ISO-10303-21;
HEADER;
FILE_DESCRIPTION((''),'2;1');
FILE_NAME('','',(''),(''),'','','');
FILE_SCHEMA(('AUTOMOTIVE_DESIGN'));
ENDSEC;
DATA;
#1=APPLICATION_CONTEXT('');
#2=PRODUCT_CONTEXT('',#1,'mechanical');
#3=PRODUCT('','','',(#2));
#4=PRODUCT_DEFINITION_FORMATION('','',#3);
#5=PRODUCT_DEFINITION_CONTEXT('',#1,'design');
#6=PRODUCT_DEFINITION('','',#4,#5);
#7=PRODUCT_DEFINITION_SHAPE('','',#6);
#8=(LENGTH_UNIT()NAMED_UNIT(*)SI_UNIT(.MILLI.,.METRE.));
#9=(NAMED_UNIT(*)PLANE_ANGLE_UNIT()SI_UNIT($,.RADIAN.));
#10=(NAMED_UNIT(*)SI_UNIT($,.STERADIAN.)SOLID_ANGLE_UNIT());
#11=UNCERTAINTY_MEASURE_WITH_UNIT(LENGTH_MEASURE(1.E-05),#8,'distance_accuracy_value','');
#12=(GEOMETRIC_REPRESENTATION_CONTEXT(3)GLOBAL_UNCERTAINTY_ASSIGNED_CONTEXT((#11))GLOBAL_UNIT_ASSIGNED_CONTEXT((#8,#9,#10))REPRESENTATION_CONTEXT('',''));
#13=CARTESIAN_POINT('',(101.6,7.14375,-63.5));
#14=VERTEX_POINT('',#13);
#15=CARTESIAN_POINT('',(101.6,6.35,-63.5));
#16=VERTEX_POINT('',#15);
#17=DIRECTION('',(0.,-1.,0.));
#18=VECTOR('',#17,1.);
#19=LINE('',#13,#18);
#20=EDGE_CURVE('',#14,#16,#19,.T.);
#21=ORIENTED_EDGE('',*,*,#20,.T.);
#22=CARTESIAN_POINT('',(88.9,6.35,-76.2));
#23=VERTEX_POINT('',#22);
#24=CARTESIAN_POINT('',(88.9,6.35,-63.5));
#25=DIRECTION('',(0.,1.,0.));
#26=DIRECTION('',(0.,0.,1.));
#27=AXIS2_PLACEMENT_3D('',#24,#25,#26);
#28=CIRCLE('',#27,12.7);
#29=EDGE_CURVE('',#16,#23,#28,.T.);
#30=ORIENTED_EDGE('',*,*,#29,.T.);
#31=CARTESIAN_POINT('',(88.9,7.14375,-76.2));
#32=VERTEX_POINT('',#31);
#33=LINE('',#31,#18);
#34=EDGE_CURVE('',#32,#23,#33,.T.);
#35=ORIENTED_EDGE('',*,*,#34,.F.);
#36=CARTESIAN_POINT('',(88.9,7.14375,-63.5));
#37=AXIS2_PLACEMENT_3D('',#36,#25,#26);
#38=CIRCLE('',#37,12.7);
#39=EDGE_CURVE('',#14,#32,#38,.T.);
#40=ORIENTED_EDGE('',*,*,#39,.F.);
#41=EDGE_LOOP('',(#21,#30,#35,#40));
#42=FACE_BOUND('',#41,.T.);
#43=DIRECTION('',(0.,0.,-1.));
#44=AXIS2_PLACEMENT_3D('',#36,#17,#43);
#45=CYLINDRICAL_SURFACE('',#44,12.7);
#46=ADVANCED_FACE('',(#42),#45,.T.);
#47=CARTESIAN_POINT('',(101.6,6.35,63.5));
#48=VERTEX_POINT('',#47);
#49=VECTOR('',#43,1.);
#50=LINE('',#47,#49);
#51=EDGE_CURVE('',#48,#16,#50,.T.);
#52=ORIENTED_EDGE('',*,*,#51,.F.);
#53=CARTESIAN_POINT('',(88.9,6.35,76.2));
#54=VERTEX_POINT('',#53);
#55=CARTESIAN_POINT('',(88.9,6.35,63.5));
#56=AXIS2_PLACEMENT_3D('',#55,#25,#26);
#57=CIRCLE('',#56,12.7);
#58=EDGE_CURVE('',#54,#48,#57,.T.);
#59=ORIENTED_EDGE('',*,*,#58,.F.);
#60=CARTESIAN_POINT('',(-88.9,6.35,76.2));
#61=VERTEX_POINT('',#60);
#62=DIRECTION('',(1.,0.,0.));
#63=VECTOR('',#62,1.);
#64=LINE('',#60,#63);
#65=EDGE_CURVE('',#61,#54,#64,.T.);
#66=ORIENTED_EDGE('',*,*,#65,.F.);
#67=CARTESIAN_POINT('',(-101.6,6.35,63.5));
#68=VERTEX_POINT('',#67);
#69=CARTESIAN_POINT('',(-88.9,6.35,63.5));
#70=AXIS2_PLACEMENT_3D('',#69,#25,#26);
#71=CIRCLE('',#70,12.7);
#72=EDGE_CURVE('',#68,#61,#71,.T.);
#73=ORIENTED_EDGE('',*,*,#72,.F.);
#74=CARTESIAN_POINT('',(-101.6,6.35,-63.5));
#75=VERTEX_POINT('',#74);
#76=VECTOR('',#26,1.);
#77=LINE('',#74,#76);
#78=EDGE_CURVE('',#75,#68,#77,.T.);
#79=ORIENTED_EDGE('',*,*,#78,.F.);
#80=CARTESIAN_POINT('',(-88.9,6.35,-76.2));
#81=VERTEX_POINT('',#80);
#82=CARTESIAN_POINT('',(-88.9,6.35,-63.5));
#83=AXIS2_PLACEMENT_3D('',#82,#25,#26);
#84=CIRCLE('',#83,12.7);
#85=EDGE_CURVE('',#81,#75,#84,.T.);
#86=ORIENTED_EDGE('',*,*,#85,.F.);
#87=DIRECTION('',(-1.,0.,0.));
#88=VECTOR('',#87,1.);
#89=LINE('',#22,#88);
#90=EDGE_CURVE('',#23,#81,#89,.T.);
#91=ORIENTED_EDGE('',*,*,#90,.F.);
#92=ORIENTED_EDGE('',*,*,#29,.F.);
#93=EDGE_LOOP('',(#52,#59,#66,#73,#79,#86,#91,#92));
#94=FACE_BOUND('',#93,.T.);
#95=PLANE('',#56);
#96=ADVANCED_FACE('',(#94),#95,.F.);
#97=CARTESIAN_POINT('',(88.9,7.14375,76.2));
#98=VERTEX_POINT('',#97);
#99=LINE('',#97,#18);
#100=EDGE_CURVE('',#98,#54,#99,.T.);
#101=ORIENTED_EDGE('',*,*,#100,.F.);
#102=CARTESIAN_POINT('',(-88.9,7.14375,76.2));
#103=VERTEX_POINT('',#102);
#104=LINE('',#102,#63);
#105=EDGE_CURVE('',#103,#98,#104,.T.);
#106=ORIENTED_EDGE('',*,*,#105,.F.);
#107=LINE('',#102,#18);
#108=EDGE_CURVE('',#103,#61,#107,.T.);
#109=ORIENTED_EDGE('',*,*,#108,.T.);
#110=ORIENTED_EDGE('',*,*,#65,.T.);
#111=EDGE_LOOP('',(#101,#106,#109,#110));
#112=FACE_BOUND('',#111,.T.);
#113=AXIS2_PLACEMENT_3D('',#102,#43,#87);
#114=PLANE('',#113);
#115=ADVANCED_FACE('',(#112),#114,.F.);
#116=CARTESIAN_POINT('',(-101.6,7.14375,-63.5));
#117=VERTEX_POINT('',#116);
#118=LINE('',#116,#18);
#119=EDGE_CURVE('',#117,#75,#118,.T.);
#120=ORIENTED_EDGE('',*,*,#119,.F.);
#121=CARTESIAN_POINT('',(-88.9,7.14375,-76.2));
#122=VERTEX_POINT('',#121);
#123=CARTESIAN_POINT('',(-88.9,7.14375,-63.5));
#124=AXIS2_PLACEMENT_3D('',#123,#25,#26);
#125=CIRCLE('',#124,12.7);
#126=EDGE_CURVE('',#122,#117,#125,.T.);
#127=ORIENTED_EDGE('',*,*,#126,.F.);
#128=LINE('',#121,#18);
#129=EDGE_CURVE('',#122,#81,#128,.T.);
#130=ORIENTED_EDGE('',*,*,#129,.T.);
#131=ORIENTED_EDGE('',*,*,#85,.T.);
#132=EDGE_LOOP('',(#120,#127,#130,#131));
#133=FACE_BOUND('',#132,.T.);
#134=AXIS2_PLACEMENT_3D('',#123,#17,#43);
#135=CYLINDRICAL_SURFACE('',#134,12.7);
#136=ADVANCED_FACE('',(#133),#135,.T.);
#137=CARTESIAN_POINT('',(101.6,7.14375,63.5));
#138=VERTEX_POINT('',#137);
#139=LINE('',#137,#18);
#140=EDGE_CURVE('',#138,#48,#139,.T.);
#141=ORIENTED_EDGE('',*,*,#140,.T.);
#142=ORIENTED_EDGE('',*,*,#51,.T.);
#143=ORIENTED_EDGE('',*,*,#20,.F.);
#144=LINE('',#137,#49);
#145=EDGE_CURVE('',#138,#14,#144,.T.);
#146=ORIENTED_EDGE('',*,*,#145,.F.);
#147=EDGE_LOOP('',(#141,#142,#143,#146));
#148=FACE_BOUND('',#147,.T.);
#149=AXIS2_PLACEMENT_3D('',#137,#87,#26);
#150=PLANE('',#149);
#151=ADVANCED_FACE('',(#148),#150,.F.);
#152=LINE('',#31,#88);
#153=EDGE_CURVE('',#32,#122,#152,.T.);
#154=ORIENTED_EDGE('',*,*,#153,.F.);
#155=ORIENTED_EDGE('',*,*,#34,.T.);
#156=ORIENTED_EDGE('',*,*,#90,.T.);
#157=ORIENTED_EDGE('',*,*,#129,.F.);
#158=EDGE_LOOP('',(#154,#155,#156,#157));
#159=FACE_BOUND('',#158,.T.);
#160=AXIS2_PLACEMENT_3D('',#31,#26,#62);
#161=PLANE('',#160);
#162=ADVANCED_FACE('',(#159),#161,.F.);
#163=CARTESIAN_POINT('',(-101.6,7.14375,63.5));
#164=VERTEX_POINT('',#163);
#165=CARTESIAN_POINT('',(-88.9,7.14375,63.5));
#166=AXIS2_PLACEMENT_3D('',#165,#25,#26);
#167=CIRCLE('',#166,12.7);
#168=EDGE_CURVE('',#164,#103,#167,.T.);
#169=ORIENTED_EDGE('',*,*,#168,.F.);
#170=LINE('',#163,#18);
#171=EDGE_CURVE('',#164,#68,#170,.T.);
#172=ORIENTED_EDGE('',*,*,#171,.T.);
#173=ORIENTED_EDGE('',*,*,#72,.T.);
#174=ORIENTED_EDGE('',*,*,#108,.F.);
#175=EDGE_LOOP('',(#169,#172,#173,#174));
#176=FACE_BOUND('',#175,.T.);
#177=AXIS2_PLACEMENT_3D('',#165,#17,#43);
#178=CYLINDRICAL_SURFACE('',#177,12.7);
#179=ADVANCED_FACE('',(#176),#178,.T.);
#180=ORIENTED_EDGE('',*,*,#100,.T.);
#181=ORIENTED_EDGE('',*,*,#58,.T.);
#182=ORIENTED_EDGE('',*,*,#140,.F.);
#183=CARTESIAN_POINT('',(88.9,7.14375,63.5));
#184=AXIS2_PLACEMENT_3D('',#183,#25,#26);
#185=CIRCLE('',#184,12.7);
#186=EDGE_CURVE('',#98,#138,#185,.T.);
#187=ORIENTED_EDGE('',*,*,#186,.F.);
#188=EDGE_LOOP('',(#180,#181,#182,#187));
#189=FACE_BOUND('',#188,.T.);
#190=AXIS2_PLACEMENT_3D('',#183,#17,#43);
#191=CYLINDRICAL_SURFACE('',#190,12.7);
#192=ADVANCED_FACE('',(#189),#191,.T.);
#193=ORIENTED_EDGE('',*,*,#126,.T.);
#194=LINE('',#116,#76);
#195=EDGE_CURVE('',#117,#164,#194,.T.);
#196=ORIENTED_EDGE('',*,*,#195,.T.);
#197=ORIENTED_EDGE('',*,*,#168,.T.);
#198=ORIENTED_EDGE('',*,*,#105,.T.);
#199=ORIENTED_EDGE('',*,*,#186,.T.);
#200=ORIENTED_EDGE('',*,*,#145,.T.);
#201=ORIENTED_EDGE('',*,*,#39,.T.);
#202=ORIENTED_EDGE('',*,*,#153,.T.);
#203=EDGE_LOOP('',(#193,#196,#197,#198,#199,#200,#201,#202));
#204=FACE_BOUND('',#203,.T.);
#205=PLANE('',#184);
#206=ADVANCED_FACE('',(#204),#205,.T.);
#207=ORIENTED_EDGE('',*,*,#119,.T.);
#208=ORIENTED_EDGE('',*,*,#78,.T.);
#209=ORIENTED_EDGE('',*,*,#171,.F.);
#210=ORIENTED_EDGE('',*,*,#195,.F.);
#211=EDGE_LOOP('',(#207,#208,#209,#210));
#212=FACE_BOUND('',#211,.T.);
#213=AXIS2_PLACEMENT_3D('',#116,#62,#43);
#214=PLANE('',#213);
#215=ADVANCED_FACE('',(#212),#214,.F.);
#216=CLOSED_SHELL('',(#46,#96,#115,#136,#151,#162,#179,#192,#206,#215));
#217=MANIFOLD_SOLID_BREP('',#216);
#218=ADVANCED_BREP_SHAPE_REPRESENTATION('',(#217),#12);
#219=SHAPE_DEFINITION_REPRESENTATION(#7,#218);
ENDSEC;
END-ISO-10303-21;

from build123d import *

# Parameters (mm, degrees)
MAINBODY_DEPTH = 0.79375


with BuildPart() as part:
    # Sketch1 → MainBody (new body)
    with BuildSketch(Plane(origin=(0, 6.35, 0), x_dir=(1, 0, 0), z_dir=(0, 1, 0))):
        with BuildLine():
            Line((101.6, -63.5), (101.6, 63.5))
            ThreePointArc((101.6, 63.5), (97.880256121, 72.480256121), (88.9, 76.2))
            Line((88.9, 76.2), (-88.9, 76.2))
            ThreePointArc((-88.9, 76.2), (-97.880256121, 72.480256121), (-101.6, 63.5))
            Line((-101.6, 63.5), (-101.6, -63.5))
            ThreePointArc((-101.6, -63.5), (-97.880256121, -72.480256121), (-88.9, -76.2))
            Line((-88.9, -76.2), (88.9, -76.2))
            ThreePointArc((88.9, -76.2), (97.880256121, -72.480256121), (101.6, -63.5))
        make_face()
    extrude(amount=MAINBODY_DEPTH)


solid = part.part
